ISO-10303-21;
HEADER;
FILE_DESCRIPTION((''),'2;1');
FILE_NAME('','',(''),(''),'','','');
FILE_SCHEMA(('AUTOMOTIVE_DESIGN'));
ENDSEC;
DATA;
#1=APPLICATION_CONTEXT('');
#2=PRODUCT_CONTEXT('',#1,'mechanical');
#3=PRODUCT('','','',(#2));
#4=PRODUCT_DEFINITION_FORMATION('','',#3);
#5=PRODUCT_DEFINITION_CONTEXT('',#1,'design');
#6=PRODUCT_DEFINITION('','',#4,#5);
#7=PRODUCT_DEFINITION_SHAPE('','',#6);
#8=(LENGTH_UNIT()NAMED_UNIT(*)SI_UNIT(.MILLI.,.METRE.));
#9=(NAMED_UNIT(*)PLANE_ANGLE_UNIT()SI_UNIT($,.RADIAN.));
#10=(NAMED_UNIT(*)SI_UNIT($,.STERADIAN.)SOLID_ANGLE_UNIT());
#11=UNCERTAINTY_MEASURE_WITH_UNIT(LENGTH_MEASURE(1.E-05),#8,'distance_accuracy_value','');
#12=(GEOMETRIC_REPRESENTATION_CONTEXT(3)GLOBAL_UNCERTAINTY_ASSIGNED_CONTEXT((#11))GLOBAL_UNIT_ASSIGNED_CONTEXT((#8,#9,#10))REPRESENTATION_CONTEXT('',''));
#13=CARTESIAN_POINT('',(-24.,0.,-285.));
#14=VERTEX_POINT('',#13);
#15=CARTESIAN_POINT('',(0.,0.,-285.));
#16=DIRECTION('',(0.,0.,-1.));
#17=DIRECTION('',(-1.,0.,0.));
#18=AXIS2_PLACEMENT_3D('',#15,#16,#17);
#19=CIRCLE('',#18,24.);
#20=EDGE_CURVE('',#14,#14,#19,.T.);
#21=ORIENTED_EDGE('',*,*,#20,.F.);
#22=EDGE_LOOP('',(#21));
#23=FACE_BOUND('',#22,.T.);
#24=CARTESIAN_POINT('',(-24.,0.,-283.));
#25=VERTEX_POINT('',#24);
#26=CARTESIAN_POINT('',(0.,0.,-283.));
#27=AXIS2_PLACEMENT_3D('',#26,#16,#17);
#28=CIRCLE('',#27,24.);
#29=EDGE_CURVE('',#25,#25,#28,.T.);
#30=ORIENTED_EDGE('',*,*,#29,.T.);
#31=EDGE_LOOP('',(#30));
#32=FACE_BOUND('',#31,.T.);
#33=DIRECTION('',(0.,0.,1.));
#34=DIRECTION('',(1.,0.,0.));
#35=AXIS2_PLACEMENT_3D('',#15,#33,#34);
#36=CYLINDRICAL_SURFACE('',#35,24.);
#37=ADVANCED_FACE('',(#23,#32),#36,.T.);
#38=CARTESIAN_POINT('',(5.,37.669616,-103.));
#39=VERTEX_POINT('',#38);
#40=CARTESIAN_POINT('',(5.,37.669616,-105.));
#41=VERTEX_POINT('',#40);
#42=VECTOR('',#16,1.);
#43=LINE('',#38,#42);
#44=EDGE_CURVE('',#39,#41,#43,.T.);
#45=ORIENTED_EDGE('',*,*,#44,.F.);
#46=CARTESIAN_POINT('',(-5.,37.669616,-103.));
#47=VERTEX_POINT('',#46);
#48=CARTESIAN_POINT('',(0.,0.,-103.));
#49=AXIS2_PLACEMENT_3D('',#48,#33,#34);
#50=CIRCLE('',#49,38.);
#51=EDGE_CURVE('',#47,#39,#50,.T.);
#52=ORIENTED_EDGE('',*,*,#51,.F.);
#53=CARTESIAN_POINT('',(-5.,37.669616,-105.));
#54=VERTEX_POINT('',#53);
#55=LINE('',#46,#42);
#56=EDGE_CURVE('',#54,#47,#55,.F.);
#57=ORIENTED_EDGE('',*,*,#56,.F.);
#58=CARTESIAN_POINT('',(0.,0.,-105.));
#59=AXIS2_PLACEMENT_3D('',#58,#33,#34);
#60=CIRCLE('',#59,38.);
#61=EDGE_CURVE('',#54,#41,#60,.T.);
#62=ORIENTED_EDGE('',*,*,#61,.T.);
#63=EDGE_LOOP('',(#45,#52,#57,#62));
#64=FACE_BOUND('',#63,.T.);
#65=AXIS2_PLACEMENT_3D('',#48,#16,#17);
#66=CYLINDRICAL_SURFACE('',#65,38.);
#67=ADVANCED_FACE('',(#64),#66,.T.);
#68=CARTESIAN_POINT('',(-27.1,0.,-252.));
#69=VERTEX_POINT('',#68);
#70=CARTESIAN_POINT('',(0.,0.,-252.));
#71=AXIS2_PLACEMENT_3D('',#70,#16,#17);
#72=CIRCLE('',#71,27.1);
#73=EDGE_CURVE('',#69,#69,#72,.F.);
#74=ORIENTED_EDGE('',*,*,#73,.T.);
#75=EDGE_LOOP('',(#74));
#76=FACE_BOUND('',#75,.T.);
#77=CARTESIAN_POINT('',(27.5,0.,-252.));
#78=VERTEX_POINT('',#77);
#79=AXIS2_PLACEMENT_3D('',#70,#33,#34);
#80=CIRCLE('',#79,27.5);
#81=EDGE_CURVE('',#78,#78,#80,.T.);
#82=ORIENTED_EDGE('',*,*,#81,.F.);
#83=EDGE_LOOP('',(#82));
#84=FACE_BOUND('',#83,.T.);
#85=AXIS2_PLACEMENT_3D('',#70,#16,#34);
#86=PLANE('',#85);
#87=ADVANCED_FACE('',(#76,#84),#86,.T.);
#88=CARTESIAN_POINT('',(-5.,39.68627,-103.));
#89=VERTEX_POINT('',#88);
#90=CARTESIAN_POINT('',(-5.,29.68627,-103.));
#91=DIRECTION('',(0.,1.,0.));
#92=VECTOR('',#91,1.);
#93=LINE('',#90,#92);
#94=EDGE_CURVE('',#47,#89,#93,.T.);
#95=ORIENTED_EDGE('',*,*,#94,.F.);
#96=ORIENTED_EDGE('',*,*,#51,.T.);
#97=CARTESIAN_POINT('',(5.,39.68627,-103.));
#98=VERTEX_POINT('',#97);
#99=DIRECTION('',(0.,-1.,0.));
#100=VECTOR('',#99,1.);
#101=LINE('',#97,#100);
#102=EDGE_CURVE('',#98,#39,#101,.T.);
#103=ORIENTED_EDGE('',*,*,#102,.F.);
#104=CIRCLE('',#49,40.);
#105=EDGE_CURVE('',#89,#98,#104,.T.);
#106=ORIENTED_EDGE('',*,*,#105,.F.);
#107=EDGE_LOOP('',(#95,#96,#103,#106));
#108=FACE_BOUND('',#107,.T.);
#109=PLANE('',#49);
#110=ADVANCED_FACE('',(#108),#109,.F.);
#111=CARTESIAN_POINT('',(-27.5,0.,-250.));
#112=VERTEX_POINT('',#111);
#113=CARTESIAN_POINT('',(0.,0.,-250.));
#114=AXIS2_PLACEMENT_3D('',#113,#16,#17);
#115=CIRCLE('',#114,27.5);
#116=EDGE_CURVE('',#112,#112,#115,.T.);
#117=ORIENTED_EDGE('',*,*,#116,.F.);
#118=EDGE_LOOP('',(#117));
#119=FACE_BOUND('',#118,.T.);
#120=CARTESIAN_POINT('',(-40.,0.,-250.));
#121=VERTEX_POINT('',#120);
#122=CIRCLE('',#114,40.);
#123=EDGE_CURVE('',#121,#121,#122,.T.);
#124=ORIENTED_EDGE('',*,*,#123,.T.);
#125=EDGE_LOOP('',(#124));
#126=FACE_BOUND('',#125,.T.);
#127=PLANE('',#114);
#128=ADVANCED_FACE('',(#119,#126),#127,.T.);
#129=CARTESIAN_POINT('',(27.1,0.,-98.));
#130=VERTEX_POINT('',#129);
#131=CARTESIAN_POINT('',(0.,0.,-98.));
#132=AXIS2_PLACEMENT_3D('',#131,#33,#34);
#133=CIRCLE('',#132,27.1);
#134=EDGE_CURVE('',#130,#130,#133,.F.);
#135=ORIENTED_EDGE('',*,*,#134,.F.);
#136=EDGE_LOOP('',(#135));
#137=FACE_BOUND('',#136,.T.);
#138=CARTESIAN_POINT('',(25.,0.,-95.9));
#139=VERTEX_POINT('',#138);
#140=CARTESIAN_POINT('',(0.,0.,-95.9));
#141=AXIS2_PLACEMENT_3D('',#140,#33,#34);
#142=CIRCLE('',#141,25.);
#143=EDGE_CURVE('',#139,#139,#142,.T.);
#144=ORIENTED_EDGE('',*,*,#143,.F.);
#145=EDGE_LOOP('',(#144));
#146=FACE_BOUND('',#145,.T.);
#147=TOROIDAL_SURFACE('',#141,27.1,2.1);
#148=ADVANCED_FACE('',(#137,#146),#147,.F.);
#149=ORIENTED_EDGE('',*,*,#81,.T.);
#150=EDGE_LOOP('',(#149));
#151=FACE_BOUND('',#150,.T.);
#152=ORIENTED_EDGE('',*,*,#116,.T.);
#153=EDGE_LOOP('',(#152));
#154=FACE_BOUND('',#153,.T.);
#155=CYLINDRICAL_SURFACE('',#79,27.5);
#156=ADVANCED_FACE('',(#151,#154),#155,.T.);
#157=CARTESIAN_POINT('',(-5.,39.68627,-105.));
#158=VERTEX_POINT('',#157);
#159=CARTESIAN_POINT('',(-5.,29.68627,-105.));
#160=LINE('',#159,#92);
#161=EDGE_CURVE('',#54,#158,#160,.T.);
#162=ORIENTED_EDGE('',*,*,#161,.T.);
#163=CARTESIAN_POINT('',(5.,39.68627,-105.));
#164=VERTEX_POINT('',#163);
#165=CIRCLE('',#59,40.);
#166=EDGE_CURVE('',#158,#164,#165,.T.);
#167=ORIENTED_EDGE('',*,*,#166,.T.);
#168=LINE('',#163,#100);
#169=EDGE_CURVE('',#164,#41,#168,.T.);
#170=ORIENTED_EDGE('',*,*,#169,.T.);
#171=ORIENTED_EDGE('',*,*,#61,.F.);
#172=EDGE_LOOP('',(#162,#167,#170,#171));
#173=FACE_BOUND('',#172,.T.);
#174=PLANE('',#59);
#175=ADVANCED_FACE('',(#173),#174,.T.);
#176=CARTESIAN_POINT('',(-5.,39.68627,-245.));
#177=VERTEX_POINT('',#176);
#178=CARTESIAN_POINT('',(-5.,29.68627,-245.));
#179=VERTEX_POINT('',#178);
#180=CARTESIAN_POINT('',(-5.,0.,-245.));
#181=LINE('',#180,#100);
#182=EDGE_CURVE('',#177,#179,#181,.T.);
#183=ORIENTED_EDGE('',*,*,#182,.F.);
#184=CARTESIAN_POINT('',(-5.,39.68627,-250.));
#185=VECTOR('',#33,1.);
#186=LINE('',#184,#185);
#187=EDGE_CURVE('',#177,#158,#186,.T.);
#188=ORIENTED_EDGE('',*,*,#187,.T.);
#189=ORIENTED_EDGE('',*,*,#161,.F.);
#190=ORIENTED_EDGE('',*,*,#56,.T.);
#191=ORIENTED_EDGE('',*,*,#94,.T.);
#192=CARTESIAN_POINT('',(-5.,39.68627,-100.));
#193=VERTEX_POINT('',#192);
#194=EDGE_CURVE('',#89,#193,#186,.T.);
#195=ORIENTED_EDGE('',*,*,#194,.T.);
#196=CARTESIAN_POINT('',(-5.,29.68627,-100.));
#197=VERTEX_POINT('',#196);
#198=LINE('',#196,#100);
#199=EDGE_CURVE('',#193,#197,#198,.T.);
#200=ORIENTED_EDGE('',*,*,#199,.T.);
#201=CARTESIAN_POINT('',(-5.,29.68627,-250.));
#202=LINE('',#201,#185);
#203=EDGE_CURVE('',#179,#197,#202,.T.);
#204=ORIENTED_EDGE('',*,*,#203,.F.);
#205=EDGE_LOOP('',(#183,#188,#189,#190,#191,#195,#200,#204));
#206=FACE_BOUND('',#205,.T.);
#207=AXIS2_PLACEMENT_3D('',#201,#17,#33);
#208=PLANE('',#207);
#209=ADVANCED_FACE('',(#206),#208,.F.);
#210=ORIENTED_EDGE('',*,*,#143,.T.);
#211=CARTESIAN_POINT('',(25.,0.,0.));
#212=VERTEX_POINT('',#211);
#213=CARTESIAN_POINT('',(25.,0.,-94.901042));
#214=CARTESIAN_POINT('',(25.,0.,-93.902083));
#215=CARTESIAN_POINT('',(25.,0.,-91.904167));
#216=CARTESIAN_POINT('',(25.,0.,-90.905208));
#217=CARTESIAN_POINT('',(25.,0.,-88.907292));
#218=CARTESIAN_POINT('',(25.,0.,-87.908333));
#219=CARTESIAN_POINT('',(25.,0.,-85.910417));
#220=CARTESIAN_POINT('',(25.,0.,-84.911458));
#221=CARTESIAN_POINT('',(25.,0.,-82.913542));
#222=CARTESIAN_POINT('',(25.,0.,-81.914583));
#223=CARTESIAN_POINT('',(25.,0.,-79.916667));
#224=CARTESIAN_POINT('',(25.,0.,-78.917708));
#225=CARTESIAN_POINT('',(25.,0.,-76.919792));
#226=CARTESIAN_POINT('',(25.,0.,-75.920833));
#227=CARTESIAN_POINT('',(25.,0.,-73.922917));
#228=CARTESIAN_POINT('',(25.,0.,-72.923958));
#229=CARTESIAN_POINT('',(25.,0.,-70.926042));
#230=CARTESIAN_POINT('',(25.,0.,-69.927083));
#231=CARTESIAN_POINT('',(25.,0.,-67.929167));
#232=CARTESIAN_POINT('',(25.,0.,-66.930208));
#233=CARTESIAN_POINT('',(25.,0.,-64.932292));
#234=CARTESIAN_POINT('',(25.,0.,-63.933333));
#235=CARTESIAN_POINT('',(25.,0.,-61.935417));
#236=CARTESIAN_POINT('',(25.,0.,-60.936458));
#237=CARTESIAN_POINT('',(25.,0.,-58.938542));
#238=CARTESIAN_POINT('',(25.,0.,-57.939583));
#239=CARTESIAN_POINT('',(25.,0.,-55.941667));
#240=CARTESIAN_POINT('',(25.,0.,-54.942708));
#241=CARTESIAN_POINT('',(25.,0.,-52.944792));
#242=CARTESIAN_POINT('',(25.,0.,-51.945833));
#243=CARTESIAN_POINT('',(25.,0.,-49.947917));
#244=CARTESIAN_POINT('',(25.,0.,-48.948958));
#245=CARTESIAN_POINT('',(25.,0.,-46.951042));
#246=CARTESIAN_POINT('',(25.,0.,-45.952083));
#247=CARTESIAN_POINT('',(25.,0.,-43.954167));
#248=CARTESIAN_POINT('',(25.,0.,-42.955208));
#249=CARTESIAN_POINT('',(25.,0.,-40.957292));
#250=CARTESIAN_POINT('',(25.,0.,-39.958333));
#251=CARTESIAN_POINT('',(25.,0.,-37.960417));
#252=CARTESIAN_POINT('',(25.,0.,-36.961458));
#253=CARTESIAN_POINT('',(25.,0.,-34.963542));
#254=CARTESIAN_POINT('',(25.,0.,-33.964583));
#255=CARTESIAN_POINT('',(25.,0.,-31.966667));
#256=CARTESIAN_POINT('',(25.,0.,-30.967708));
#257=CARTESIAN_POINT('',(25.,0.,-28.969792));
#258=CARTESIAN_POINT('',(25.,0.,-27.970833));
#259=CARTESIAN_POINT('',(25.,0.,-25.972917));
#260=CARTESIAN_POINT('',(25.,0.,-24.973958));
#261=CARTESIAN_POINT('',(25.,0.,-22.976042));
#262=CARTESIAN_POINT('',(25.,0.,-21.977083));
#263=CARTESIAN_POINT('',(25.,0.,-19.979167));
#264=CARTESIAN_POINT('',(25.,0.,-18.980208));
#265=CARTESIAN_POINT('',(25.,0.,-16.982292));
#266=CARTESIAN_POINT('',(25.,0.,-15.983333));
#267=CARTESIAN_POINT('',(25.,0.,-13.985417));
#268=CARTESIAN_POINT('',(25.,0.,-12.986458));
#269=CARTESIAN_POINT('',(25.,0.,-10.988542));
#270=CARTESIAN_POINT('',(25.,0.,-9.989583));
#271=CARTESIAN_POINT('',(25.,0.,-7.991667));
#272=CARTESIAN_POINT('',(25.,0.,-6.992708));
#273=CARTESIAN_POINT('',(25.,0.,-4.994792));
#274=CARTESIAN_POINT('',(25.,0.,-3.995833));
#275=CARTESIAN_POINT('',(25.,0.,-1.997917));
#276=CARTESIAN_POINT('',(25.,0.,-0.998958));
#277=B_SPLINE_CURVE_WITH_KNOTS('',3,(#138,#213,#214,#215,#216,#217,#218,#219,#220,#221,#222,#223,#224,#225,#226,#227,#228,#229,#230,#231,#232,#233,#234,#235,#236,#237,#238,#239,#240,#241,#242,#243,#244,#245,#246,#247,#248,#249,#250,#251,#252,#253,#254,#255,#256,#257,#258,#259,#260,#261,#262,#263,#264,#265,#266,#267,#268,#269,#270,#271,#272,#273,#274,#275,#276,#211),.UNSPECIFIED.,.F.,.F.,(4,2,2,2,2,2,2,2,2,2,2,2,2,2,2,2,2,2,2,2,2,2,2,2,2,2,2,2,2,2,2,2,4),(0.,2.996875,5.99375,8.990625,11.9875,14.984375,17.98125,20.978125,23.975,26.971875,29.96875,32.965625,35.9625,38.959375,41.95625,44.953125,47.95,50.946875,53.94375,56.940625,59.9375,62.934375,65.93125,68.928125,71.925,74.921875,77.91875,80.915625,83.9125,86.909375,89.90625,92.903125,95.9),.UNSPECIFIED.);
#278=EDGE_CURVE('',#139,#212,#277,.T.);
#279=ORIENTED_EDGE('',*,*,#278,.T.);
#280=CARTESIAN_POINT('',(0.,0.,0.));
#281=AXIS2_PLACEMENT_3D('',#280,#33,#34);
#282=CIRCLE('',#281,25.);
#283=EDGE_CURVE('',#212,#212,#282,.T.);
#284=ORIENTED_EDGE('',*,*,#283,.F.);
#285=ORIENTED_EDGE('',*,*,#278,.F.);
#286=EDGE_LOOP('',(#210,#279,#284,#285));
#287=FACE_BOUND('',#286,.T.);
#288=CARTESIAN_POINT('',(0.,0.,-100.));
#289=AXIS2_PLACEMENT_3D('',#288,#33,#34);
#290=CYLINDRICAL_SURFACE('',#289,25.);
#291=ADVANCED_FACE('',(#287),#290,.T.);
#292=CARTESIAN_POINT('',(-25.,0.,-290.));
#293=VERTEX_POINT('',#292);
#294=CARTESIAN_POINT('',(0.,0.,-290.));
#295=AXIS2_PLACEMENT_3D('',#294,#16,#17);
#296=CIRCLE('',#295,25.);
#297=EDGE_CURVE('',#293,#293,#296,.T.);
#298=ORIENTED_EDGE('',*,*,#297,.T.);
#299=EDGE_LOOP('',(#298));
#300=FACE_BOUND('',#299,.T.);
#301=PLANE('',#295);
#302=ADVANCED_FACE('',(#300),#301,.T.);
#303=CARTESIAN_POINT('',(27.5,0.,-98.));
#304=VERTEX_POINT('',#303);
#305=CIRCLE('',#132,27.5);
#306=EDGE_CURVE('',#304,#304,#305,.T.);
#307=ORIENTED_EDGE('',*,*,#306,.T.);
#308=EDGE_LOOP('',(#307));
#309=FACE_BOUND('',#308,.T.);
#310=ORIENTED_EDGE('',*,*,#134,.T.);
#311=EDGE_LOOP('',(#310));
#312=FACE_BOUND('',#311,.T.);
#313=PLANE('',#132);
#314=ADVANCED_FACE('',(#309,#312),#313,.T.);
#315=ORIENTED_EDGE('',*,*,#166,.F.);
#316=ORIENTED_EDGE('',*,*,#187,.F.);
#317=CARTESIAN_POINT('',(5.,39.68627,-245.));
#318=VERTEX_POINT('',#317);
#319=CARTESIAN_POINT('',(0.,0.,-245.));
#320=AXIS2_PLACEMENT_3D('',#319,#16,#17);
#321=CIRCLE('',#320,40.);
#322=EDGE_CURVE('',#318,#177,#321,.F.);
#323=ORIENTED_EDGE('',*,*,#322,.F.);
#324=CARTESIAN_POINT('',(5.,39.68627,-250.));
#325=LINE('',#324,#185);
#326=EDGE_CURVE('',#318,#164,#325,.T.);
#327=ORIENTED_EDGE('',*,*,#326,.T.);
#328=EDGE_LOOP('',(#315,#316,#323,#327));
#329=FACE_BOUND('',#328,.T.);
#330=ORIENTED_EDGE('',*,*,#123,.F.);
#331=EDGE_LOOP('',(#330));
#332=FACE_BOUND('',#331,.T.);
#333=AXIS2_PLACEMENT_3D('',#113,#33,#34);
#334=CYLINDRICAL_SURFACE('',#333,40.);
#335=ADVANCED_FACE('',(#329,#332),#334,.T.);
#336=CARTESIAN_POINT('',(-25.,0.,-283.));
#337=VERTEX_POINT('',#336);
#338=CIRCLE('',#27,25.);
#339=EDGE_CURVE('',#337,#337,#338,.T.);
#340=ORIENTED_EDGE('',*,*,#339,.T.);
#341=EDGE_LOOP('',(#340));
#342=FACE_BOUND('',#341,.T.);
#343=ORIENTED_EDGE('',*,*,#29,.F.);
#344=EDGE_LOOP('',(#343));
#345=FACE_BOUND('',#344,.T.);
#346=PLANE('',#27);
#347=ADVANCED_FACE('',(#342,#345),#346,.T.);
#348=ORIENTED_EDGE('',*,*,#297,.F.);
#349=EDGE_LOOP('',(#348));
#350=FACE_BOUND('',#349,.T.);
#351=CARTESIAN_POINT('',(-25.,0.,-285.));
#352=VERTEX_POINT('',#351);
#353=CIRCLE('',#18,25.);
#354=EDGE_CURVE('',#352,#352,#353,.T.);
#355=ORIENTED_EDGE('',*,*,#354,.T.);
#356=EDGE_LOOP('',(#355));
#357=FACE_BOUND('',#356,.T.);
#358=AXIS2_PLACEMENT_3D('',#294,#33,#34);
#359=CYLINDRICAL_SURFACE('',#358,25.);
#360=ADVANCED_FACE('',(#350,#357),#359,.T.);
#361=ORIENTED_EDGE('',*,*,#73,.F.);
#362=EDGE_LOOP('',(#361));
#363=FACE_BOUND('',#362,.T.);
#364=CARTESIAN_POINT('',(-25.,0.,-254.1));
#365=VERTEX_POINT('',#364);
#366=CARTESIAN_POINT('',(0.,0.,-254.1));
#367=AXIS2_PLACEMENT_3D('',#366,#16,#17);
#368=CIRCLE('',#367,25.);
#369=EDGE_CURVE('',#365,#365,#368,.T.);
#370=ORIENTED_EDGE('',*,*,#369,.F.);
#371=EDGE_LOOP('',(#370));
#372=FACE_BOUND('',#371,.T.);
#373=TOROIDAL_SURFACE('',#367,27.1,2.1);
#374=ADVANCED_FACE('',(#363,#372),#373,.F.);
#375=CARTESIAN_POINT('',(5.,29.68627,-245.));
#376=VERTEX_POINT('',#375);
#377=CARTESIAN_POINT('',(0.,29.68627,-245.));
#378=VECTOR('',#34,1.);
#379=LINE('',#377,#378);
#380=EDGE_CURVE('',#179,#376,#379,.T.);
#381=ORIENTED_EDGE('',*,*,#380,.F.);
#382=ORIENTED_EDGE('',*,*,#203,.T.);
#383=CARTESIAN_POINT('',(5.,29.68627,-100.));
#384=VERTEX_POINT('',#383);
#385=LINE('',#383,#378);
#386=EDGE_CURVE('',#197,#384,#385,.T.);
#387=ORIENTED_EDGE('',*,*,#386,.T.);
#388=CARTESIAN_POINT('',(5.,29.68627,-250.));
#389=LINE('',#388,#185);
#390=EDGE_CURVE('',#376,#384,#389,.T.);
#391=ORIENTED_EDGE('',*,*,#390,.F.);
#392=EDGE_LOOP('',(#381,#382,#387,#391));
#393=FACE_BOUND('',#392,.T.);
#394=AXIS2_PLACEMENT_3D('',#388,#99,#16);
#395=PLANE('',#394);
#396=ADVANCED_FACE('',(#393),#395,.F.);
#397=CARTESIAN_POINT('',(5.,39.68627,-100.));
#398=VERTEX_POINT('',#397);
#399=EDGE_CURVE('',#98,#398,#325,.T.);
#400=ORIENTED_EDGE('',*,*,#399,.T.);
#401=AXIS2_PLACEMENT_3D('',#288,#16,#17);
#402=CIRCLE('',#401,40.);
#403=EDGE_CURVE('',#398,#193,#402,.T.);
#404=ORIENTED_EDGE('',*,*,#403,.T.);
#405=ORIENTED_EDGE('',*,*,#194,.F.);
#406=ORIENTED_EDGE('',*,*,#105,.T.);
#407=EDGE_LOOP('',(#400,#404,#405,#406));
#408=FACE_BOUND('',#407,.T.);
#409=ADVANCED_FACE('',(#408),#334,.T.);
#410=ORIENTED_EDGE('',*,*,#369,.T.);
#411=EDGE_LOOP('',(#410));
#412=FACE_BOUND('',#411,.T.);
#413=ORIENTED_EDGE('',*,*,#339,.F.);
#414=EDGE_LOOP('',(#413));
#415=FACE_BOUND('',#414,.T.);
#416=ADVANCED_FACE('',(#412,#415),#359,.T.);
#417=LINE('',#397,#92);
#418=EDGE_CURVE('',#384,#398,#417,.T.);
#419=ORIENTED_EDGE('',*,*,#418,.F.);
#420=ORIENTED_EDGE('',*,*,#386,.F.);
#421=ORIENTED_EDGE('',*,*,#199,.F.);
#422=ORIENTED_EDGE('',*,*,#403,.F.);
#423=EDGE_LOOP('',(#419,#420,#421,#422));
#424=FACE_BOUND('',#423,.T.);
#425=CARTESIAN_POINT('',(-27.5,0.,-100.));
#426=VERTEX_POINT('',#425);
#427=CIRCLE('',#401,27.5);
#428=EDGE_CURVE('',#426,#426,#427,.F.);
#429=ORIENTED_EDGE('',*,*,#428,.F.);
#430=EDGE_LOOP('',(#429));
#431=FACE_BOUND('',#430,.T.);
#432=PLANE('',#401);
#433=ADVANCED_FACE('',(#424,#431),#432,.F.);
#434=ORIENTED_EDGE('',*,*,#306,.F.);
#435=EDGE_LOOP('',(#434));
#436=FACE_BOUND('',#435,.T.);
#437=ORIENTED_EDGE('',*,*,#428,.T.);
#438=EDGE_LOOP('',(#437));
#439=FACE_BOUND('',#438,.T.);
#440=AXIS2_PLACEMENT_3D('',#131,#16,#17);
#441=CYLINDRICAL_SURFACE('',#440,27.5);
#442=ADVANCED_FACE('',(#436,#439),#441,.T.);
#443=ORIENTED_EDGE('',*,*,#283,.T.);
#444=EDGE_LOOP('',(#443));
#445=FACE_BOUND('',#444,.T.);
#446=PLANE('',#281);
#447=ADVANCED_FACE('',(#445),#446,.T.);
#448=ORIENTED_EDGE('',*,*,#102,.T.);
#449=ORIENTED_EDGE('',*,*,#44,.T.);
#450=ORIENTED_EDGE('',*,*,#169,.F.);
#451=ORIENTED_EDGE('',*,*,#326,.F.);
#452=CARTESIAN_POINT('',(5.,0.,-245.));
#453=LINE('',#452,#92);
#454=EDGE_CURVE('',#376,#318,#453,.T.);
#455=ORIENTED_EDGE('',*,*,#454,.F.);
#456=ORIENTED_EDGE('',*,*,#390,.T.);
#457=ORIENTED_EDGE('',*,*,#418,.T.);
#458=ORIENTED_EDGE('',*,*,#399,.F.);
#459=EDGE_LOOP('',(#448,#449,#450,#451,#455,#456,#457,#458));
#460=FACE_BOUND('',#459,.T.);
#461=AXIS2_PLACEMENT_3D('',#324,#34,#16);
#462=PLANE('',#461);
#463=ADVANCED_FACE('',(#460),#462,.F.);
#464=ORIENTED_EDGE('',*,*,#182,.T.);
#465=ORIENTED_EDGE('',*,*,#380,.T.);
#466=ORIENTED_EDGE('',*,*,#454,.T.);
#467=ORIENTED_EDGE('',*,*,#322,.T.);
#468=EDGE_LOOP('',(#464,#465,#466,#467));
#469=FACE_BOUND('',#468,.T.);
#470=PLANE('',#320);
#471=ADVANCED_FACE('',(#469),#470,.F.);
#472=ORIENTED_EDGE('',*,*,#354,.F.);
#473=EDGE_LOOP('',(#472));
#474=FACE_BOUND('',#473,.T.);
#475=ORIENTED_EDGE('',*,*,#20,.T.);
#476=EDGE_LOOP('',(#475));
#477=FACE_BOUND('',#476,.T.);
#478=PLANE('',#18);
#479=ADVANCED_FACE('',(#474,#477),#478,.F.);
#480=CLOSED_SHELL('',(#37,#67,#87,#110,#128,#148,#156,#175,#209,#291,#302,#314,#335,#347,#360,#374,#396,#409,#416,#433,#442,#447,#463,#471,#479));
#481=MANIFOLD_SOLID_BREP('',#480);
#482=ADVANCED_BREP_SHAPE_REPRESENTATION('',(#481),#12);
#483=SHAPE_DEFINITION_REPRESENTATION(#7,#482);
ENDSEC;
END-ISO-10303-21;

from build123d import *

# Parameters (mm, degrees)
ESQUISSE1_R             = 25
BOSS_EXTRU_1_DEPTH      = 100
BOSS_EXTRU_3_DEPTH      = 150
ESQUISSE5_R             = 25
BOSS_EXTRU_4_DEPTH      = 40
ESQUISSE6_R             = 27.5
BOSS_EXTRU_5_DEPTH      = 2
CONG_2_R                = 2.1
CONG_3_R                = 2.1
ESQUISSE7_R             = 25
ESQUISSE7_R_2           = 24
ENL_V_MAT_EXTRU_1_DEPTH = 2
BOSS_EXTRU_6_START      = -5
BOSS_EXTRU_6_DEPTH      = 5
ENL_V_START             = 2
ESQUISSE10_R            = 40
ESQUISSE10_R_2          = 38
ENL_V_MAT_EXTRU_2_DEPTH = 2


with BuildPart() as part:
    # Esquisse1 → Boss.-Extru.1 (new body)
    with BuildSketch(Plane.XY):
        Circle(ESQUISSE1_R)
    extrude(amount=-BOSS_EXTRU_1_DEPTH)

    # Esquisse4 → Boss.-Extru.3 (add)
    with BuildSketch(Plane(origin=(0, 0, -100), x_dir=(-1, 0, 0), z_dir=(0, 0, -1))):
        with BuildLine():
            Line((-5, 39.686269666), (-5, 29.686269666))
            Line((-5, 29.686269666), (5, 29.686269666))
            Line((5, 29.686269666), (5, 39.686269666))
            ThreePointArc((5, 39.686269666), (0, -40), (-5, 39.686269666))
        make_face()
    extrude(amount=BOSS_EXTRU_3_DEPTH)

    # Esquisse5 → Boss.-Extru.4 (add)
    with BuildSketch(Plane(origin=(0, 0, -250), x_dir=(-1, 0, 0), z_dir=(0, 0, -1))):
        with Locations(Location((0, 0, 0), (0, 0, 180))):
            Circle(ESQUISSE5_R)
    extrude(amount=BOSS_EXTRU_4_DEPTH)

    # Esquisse6 → Boss.-Extru.5 (add)
    with BuildSketch(Plane.XY.offset(-100)):
        with Locations(Location((0, 0, 0), (0, 0, 180))):
            Circle(ESQUISSE6_R)
    boss_extru_5 = extrude(amount=BOSS_EXTRU_5_DEPTH)

    # Congé2
    cong_2_edges = [part.edges().sort_by_distance(p)[0] for p in [
        (-25, 0, -98),
    ]]
    fillet(cong_2_edges, radius=CONG_2_R)

    # Symétrie3: Boss.-Extru.5 across plane
    add(boss_extru_5.mirror(Plane.XY.offset(-175)))

    # Congé3
    cong_3_edges = [part.edges().sort_by_distance(p)[0] for p in [
        (-25, 0, -252),
    ]]
    fillet(cong_3_edges, radius=CONG_3_R)

    # Esquisse7 → Enlèv. mat.-Extru.1 (cut)
    with BuildSketch(Plane(origin=(0, 0, -283), x_dir=(-1, 0, 0), z_dir=(0, 0, -1))):
        Circle(ESQUISSE7_R)
        Circle(ESQUISSE7_R_2, mode=Mode.SUBTRACT)
    extrude(amount=ENL_V_MAT_EXTRU_1_DEPTH, mode=Mode.SUBTRACT)

    # Esquisse9 → Boss.-Extru.6 (add)
    with BuildSketch(Plane(origin=(0, 0, -250), x_dir=(-1, 0, 0), z_dir=(0, 0, -1)).offset(BOSS_EXTRU_6_START)):
        with BuildLine():
            ThreePointArc((-5, 39.686269666), (0, 40), (5, 39.686269666))
            Line((5, 39.686269666), (5, 29.686269666))
            Line((5, 29.686269666), (-5, 29.686269666))
            Line((-5, 29.686269666), (-5, 39.686269666))
        make_face()
    extrude(amount=BOSS_EXTRU_6_DEPTH)

    # Esquisse10 → Enlèv. mat.-Extru.2 (cut)
    with BuildSketch(Plane.XY.offset(-105).offset(ENL_V_START)):
        with Locations(Location((0, 0, 0), (0, 0, 82.819244219))):
            Circle(ESQUISSE10_R)
        Circle(ESQUISSE10_R_2, mode=Mode.SUBTRACT)
    extrude(amount=-ENL_V_MAT_EXTRU_2_DEPTH, mode=Mode.SUBTRACT)


solid = part.part
